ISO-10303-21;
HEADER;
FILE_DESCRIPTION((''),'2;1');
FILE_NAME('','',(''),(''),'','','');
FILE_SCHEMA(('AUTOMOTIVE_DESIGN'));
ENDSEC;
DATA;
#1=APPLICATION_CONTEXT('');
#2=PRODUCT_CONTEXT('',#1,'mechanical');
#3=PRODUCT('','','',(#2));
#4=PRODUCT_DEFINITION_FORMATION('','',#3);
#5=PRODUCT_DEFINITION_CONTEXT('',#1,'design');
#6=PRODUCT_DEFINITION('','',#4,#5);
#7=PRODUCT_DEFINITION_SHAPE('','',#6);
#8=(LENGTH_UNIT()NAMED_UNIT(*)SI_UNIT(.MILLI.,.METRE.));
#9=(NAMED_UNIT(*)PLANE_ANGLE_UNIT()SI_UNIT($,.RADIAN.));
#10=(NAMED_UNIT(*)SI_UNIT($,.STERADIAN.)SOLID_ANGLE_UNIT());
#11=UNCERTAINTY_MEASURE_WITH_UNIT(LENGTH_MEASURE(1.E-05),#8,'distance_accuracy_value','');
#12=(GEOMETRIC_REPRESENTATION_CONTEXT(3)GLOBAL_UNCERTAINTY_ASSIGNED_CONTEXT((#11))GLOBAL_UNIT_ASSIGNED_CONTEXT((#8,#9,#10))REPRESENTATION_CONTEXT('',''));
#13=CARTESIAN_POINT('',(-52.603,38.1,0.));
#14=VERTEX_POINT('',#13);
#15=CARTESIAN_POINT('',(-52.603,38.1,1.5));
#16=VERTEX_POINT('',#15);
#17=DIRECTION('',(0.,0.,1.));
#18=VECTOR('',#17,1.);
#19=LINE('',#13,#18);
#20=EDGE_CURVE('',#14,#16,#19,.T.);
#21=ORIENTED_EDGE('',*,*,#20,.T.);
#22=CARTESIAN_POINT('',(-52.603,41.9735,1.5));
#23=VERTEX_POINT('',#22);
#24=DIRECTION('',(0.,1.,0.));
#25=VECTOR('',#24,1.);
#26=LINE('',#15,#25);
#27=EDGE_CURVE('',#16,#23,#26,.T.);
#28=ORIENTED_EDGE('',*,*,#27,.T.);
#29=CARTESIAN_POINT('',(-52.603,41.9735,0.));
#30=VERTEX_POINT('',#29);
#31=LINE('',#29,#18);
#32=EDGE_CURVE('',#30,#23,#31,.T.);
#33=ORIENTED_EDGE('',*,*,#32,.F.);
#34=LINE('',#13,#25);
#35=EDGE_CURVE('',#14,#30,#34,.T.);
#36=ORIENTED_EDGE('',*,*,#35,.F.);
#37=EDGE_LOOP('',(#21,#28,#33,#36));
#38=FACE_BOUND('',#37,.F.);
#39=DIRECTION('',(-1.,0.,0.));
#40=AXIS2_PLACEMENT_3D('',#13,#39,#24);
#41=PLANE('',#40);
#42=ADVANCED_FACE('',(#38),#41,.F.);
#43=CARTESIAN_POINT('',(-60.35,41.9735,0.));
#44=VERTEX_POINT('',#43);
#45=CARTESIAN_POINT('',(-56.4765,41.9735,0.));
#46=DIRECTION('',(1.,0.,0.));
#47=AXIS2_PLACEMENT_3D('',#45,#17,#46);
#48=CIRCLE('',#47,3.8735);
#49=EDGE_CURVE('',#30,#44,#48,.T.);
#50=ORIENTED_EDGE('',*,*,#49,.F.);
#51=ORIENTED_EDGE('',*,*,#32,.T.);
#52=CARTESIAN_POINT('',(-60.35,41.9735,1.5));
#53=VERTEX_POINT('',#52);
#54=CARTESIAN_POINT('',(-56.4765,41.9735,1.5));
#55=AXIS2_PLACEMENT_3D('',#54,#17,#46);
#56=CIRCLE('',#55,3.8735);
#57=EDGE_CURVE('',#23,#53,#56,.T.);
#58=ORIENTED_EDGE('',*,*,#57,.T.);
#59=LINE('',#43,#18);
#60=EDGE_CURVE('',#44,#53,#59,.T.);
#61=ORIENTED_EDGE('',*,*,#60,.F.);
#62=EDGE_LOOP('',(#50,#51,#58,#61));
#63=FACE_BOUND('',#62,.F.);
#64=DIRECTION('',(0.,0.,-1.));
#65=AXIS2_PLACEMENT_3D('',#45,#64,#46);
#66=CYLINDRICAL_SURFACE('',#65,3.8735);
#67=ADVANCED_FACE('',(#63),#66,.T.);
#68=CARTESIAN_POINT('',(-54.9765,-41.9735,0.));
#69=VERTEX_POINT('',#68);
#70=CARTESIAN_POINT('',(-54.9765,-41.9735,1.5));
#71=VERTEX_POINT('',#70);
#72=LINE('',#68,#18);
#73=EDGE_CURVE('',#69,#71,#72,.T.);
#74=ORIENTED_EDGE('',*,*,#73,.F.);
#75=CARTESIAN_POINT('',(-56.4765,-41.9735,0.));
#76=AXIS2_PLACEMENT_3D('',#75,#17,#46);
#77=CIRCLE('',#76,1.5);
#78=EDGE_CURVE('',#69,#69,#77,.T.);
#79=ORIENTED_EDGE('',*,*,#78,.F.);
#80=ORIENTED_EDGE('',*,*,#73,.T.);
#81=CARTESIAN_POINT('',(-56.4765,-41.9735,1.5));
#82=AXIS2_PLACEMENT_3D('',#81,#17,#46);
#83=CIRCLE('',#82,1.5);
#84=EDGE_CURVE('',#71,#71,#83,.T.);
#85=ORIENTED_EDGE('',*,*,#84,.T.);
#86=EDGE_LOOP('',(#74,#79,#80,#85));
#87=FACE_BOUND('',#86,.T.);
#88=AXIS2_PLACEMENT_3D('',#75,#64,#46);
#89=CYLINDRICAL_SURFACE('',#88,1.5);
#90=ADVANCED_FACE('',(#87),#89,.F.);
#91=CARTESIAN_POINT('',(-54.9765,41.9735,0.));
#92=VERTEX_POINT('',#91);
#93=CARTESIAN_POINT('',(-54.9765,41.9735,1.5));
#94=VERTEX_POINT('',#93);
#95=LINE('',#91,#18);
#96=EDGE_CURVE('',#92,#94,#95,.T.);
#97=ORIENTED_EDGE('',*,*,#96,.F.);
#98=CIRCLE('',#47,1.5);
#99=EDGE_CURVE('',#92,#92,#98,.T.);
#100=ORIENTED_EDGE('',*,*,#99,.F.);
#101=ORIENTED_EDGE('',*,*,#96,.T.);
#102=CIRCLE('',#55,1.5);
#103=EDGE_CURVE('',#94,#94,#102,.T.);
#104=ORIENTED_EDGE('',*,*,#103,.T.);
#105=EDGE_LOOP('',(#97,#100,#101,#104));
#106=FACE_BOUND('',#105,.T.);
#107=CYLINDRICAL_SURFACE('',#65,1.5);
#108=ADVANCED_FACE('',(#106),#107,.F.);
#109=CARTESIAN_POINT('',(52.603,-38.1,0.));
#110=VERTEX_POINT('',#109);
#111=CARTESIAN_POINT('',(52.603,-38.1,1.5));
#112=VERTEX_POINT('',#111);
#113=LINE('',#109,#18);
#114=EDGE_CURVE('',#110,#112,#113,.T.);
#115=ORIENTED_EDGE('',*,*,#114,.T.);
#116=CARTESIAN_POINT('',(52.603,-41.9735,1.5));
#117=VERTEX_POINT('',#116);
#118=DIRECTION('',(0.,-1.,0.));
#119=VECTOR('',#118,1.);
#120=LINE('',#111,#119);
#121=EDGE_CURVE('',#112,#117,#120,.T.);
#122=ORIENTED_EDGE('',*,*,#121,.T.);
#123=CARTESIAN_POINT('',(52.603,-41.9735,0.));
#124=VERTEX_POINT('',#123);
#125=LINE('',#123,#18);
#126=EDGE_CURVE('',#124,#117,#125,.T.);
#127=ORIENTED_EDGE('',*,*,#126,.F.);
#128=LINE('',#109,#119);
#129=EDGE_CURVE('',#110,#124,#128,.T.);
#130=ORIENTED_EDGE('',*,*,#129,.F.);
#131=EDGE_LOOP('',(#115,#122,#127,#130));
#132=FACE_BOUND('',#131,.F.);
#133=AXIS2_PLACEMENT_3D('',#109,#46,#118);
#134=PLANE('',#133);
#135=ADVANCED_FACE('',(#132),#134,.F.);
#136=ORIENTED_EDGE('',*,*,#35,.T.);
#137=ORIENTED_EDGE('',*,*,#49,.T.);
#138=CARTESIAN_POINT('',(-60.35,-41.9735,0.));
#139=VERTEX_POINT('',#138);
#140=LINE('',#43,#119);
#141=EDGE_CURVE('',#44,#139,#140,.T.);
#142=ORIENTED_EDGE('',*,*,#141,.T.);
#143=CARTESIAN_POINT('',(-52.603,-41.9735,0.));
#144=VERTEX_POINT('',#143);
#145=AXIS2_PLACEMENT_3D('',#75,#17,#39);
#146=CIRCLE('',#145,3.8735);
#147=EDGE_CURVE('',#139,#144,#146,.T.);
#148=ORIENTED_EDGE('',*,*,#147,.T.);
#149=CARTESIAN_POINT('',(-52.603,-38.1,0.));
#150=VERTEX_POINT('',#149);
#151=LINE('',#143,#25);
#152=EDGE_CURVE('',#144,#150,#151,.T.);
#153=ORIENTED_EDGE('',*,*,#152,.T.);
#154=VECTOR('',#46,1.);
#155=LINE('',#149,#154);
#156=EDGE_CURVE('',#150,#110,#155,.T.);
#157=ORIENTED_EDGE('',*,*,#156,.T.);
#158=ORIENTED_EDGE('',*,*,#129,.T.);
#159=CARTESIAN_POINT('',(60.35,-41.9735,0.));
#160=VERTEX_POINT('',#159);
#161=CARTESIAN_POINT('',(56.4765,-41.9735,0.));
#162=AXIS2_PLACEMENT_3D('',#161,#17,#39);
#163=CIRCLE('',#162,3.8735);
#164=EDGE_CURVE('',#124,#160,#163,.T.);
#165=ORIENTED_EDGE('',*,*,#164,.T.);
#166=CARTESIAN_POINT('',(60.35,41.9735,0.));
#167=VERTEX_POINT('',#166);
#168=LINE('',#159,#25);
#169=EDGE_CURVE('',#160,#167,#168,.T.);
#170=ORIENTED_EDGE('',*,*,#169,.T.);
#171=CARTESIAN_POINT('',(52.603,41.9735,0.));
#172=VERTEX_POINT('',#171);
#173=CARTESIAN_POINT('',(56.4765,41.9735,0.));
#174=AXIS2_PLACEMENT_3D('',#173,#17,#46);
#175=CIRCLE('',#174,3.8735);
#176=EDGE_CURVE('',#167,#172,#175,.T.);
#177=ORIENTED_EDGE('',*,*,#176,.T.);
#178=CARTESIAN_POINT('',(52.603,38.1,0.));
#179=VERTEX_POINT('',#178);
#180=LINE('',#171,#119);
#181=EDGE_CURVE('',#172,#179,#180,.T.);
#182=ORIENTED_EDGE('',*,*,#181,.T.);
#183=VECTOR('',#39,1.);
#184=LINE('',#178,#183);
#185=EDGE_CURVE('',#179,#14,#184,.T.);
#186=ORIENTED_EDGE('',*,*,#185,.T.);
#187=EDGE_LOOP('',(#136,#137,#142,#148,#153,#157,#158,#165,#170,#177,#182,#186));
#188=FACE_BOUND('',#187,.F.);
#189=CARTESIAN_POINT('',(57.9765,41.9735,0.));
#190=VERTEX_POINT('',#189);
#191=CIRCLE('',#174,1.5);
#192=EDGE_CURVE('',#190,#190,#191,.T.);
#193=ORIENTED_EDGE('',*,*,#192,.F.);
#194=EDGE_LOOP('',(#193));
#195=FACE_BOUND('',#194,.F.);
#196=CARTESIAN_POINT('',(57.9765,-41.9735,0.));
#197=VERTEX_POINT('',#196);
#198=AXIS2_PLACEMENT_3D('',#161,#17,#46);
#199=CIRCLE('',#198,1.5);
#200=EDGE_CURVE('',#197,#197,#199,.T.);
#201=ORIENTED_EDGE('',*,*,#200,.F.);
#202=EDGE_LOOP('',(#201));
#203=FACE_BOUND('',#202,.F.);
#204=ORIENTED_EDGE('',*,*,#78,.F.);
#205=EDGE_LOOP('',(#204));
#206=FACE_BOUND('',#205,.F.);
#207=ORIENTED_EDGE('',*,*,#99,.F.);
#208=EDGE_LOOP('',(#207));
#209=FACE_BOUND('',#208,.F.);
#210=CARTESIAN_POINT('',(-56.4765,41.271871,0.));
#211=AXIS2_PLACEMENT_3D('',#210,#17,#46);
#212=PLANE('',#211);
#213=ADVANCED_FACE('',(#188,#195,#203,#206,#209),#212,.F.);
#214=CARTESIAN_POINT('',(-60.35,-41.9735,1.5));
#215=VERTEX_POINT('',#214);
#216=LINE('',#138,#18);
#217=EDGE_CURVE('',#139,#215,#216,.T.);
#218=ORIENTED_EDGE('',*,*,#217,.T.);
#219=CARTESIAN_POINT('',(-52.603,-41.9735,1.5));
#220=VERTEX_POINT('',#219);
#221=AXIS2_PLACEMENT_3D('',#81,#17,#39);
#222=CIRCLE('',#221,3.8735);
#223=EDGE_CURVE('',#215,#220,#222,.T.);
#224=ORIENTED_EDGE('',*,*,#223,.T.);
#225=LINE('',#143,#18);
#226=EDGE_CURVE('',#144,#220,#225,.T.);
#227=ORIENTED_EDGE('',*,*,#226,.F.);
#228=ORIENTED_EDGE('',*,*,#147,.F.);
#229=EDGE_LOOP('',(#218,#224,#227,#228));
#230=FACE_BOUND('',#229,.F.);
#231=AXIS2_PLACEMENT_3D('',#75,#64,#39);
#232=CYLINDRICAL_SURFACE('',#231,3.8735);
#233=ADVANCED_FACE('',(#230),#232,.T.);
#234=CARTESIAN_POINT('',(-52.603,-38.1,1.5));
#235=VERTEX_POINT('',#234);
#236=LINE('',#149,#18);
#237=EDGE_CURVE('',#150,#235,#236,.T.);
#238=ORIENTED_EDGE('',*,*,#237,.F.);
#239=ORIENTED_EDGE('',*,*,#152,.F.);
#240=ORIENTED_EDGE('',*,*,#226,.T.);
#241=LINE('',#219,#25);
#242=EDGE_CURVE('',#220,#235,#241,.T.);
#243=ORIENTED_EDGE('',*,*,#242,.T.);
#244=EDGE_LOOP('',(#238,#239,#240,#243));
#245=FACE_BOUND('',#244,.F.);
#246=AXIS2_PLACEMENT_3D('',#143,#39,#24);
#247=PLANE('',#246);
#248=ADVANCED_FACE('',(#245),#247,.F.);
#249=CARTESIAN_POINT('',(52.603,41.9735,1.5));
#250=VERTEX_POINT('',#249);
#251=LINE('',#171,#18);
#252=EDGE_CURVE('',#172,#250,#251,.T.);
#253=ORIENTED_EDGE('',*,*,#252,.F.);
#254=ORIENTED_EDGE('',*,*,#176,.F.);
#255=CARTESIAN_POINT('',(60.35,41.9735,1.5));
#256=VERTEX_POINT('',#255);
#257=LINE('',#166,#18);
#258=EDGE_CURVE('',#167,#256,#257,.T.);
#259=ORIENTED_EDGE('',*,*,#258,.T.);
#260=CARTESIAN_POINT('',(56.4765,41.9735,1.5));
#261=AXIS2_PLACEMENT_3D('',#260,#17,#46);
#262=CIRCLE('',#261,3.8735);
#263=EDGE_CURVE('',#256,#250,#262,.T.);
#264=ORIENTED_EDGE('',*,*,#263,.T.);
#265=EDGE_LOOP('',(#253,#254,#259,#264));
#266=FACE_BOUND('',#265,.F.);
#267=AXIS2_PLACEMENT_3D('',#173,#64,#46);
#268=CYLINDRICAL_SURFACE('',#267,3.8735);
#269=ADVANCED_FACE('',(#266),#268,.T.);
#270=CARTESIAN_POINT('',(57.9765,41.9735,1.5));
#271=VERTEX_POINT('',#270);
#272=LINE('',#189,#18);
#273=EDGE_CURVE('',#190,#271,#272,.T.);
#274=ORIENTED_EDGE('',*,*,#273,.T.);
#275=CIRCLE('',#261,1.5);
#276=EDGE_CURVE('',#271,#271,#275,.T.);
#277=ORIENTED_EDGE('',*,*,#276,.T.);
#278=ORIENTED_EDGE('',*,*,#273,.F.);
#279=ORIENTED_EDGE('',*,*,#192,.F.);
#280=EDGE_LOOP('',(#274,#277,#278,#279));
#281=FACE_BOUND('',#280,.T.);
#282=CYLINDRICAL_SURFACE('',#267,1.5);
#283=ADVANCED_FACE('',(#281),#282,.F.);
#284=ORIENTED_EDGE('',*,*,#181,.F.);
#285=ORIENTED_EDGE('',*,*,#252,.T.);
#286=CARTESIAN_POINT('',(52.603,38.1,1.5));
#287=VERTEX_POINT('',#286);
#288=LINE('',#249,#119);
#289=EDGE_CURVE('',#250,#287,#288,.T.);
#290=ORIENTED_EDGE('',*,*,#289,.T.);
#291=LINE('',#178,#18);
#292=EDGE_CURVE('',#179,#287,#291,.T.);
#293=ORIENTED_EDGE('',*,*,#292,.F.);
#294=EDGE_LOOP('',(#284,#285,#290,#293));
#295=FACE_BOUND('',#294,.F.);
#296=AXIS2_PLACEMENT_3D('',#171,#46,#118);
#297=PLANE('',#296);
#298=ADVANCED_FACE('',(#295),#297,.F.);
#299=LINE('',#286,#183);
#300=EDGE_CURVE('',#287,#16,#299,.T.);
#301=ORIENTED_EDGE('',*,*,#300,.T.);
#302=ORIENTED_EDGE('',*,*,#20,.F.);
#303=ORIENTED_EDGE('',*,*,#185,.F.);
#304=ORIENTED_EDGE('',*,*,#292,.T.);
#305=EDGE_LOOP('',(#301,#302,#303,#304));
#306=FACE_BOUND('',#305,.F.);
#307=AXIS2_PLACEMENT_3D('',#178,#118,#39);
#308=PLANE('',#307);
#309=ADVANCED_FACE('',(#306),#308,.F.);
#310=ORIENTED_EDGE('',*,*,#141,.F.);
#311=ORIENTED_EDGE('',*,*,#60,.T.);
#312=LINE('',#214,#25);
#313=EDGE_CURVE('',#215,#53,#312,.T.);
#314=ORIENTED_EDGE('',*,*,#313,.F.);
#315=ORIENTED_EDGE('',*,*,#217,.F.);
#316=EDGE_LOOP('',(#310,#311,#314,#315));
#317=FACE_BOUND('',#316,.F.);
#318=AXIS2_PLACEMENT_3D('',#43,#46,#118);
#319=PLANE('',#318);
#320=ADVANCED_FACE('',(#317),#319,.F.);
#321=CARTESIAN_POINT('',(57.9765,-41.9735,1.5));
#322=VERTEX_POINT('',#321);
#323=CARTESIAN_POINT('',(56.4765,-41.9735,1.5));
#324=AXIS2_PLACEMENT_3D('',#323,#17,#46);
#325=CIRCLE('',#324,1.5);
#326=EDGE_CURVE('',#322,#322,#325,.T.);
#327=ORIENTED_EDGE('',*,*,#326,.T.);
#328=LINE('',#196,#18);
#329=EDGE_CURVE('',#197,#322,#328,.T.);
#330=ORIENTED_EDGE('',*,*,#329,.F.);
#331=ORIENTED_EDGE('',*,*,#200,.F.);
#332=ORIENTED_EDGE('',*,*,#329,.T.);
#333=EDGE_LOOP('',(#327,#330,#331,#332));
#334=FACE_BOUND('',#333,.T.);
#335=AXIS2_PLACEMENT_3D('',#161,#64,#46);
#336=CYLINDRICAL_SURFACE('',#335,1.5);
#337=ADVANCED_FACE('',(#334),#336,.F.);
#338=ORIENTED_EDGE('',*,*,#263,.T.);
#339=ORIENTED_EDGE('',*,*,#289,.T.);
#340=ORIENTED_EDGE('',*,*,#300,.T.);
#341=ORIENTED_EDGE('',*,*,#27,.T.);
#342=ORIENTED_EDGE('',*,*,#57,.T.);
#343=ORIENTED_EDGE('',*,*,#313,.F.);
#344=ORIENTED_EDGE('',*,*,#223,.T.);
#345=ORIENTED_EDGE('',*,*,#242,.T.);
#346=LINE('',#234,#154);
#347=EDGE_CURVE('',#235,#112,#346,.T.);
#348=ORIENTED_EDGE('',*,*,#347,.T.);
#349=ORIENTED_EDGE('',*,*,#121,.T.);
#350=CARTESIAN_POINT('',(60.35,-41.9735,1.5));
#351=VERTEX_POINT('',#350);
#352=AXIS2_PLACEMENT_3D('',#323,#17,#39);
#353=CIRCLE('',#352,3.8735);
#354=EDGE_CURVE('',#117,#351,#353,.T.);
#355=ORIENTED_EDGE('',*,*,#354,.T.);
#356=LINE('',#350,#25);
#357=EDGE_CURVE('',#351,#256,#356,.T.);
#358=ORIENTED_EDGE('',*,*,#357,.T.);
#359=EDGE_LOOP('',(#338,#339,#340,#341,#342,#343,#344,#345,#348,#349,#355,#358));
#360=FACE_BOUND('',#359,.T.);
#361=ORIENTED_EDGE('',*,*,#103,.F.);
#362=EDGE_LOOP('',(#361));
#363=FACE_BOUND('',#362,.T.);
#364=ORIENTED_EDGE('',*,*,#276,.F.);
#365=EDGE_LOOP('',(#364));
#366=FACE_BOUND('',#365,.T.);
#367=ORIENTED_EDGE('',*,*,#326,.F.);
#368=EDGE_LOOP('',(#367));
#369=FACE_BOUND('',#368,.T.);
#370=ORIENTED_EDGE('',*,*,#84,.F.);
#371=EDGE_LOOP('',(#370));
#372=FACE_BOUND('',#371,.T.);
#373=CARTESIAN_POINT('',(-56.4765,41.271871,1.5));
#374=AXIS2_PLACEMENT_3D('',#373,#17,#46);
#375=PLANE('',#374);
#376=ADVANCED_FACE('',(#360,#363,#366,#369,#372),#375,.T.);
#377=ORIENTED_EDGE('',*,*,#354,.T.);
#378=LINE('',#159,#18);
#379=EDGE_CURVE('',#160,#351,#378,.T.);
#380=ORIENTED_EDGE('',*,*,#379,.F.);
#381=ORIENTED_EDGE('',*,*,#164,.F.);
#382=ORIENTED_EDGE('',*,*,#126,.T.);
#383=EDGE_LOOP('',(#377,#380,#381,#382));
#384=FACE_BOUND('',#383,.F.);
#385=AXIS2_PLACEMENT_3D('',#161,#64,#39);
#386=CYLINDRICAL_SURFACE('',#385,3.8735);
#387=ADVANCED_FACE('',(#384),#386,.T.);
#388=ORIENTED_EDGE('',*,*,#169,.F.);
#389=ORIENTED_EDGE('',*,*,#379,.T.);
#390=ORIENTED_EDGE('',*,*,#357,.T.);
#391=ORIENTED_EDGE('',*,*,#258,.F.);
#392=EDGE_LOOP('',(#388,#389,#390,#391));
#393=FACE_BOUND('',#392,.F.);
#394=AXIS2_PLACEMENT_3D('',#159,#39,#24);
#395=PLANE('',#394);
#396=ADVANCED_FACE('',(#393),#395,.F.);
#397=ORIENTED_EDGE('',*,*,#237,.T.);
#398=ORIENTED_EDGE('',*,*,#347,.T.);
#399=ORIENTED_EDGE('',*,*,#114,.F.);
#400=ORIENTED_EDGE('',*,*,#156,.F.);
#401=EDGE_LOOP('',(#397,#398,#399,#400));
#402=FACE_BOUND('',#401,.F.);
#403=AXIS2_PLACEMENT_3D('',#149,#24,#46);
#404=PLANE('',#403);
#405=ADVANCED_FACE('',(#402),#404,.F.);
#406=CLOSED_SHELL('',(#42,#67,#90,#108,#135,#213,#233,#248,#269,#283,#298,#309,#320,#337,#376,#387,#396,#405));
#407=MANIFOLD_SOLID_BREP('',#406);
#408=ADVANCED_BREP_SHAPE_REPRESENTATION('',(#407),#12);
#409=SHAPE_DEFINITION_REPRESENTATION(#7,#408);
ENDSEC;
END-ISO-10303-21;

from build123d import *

# Parameters (mm, degrees)
F0_R     = 1.5
F1_DEPTH = 1.5
F2_DEPTH = 1.5


with BuildPart() as f1:
    # F0 (on Top) → F1 (new body)
    with BuildSketch(Plane.XY):
        with BuildLine():
            Line((-52.603, -38.1), (-60.35, -38.1))
            Line((-60.35, -38.1), (-60.35, -41.9735))
            ThreePointArc((-60.35, -41.9735), (-56.4765, -45.847), (-52.603, -41.9735))
            Line((-52.603, -41.9735), (-52.603, -38.1))
        make_face()
        with Locations((-56.4765, -41.9735)):
            Circle(F0_R, mode=Mode.SUBTRACT)
        with BuildLine():
            Line((52.603, 41.9735), (52.603, 38.1))
            Line((52.603, 38.1), (60.35, 38.1))
            Line((60.35, 38.1), (60.35, 41.9735))
            ThreePointArc((60.35, 41.9735), (56.4765, 45.847), (52.603, 41.9735))
        make_face()
        with Locations((56.4765, 41.9735)):
            Circle(F0_R, mode=Mode.SUBTRACT)
        Polygon((-52.603, 38.1), (-60.35, 38.1), (-60.35, -38.1), (-52.603, -38.1), (52.603, -38.1), (60.35, -38.1), (60.35, 38.1), (52.603, 38.1), align=None)
        with BuildLine():
            Line((60.35, -38.1), (52.603, -38.1))
            Line((52.603, -38.1), (52.603, -41.9735))
            ThreePointArc((52.603, -41.9735), (56.4765, -45.847), (60.35, -41.9735))
            Line((60.35, -41.9735), (60.35, -38.1))
        make_face()
        with Locations((56.4765, -41.9735)):
            Circle(F0_R, mode=Mode.SUBTRACT)
    extrude(amount=F1_DEPTH)

    # F0 (on Top) → F2 (join)
    with BuildSketch(Plane.XY):
        with BuildLine():
            Line((-60.35, 41.9735), (-60.35, 38.1))
            Line((-60.35, 38.1), (-52.603, 38.1))
            Line((-52.603, 38.1), (-52.603, 41.9735))
            ThreePointArc((-52.603, 41.9735), (-56.4765, 45.847), (-60.35, 41.9735))
        make_face()
        with Locations((-56.4765, 41.9735)):
            Circle(F0_R, mode=Mode.SUBTRACT)
    extrude(amount=F2_DEPTH)


solid = f1.part
